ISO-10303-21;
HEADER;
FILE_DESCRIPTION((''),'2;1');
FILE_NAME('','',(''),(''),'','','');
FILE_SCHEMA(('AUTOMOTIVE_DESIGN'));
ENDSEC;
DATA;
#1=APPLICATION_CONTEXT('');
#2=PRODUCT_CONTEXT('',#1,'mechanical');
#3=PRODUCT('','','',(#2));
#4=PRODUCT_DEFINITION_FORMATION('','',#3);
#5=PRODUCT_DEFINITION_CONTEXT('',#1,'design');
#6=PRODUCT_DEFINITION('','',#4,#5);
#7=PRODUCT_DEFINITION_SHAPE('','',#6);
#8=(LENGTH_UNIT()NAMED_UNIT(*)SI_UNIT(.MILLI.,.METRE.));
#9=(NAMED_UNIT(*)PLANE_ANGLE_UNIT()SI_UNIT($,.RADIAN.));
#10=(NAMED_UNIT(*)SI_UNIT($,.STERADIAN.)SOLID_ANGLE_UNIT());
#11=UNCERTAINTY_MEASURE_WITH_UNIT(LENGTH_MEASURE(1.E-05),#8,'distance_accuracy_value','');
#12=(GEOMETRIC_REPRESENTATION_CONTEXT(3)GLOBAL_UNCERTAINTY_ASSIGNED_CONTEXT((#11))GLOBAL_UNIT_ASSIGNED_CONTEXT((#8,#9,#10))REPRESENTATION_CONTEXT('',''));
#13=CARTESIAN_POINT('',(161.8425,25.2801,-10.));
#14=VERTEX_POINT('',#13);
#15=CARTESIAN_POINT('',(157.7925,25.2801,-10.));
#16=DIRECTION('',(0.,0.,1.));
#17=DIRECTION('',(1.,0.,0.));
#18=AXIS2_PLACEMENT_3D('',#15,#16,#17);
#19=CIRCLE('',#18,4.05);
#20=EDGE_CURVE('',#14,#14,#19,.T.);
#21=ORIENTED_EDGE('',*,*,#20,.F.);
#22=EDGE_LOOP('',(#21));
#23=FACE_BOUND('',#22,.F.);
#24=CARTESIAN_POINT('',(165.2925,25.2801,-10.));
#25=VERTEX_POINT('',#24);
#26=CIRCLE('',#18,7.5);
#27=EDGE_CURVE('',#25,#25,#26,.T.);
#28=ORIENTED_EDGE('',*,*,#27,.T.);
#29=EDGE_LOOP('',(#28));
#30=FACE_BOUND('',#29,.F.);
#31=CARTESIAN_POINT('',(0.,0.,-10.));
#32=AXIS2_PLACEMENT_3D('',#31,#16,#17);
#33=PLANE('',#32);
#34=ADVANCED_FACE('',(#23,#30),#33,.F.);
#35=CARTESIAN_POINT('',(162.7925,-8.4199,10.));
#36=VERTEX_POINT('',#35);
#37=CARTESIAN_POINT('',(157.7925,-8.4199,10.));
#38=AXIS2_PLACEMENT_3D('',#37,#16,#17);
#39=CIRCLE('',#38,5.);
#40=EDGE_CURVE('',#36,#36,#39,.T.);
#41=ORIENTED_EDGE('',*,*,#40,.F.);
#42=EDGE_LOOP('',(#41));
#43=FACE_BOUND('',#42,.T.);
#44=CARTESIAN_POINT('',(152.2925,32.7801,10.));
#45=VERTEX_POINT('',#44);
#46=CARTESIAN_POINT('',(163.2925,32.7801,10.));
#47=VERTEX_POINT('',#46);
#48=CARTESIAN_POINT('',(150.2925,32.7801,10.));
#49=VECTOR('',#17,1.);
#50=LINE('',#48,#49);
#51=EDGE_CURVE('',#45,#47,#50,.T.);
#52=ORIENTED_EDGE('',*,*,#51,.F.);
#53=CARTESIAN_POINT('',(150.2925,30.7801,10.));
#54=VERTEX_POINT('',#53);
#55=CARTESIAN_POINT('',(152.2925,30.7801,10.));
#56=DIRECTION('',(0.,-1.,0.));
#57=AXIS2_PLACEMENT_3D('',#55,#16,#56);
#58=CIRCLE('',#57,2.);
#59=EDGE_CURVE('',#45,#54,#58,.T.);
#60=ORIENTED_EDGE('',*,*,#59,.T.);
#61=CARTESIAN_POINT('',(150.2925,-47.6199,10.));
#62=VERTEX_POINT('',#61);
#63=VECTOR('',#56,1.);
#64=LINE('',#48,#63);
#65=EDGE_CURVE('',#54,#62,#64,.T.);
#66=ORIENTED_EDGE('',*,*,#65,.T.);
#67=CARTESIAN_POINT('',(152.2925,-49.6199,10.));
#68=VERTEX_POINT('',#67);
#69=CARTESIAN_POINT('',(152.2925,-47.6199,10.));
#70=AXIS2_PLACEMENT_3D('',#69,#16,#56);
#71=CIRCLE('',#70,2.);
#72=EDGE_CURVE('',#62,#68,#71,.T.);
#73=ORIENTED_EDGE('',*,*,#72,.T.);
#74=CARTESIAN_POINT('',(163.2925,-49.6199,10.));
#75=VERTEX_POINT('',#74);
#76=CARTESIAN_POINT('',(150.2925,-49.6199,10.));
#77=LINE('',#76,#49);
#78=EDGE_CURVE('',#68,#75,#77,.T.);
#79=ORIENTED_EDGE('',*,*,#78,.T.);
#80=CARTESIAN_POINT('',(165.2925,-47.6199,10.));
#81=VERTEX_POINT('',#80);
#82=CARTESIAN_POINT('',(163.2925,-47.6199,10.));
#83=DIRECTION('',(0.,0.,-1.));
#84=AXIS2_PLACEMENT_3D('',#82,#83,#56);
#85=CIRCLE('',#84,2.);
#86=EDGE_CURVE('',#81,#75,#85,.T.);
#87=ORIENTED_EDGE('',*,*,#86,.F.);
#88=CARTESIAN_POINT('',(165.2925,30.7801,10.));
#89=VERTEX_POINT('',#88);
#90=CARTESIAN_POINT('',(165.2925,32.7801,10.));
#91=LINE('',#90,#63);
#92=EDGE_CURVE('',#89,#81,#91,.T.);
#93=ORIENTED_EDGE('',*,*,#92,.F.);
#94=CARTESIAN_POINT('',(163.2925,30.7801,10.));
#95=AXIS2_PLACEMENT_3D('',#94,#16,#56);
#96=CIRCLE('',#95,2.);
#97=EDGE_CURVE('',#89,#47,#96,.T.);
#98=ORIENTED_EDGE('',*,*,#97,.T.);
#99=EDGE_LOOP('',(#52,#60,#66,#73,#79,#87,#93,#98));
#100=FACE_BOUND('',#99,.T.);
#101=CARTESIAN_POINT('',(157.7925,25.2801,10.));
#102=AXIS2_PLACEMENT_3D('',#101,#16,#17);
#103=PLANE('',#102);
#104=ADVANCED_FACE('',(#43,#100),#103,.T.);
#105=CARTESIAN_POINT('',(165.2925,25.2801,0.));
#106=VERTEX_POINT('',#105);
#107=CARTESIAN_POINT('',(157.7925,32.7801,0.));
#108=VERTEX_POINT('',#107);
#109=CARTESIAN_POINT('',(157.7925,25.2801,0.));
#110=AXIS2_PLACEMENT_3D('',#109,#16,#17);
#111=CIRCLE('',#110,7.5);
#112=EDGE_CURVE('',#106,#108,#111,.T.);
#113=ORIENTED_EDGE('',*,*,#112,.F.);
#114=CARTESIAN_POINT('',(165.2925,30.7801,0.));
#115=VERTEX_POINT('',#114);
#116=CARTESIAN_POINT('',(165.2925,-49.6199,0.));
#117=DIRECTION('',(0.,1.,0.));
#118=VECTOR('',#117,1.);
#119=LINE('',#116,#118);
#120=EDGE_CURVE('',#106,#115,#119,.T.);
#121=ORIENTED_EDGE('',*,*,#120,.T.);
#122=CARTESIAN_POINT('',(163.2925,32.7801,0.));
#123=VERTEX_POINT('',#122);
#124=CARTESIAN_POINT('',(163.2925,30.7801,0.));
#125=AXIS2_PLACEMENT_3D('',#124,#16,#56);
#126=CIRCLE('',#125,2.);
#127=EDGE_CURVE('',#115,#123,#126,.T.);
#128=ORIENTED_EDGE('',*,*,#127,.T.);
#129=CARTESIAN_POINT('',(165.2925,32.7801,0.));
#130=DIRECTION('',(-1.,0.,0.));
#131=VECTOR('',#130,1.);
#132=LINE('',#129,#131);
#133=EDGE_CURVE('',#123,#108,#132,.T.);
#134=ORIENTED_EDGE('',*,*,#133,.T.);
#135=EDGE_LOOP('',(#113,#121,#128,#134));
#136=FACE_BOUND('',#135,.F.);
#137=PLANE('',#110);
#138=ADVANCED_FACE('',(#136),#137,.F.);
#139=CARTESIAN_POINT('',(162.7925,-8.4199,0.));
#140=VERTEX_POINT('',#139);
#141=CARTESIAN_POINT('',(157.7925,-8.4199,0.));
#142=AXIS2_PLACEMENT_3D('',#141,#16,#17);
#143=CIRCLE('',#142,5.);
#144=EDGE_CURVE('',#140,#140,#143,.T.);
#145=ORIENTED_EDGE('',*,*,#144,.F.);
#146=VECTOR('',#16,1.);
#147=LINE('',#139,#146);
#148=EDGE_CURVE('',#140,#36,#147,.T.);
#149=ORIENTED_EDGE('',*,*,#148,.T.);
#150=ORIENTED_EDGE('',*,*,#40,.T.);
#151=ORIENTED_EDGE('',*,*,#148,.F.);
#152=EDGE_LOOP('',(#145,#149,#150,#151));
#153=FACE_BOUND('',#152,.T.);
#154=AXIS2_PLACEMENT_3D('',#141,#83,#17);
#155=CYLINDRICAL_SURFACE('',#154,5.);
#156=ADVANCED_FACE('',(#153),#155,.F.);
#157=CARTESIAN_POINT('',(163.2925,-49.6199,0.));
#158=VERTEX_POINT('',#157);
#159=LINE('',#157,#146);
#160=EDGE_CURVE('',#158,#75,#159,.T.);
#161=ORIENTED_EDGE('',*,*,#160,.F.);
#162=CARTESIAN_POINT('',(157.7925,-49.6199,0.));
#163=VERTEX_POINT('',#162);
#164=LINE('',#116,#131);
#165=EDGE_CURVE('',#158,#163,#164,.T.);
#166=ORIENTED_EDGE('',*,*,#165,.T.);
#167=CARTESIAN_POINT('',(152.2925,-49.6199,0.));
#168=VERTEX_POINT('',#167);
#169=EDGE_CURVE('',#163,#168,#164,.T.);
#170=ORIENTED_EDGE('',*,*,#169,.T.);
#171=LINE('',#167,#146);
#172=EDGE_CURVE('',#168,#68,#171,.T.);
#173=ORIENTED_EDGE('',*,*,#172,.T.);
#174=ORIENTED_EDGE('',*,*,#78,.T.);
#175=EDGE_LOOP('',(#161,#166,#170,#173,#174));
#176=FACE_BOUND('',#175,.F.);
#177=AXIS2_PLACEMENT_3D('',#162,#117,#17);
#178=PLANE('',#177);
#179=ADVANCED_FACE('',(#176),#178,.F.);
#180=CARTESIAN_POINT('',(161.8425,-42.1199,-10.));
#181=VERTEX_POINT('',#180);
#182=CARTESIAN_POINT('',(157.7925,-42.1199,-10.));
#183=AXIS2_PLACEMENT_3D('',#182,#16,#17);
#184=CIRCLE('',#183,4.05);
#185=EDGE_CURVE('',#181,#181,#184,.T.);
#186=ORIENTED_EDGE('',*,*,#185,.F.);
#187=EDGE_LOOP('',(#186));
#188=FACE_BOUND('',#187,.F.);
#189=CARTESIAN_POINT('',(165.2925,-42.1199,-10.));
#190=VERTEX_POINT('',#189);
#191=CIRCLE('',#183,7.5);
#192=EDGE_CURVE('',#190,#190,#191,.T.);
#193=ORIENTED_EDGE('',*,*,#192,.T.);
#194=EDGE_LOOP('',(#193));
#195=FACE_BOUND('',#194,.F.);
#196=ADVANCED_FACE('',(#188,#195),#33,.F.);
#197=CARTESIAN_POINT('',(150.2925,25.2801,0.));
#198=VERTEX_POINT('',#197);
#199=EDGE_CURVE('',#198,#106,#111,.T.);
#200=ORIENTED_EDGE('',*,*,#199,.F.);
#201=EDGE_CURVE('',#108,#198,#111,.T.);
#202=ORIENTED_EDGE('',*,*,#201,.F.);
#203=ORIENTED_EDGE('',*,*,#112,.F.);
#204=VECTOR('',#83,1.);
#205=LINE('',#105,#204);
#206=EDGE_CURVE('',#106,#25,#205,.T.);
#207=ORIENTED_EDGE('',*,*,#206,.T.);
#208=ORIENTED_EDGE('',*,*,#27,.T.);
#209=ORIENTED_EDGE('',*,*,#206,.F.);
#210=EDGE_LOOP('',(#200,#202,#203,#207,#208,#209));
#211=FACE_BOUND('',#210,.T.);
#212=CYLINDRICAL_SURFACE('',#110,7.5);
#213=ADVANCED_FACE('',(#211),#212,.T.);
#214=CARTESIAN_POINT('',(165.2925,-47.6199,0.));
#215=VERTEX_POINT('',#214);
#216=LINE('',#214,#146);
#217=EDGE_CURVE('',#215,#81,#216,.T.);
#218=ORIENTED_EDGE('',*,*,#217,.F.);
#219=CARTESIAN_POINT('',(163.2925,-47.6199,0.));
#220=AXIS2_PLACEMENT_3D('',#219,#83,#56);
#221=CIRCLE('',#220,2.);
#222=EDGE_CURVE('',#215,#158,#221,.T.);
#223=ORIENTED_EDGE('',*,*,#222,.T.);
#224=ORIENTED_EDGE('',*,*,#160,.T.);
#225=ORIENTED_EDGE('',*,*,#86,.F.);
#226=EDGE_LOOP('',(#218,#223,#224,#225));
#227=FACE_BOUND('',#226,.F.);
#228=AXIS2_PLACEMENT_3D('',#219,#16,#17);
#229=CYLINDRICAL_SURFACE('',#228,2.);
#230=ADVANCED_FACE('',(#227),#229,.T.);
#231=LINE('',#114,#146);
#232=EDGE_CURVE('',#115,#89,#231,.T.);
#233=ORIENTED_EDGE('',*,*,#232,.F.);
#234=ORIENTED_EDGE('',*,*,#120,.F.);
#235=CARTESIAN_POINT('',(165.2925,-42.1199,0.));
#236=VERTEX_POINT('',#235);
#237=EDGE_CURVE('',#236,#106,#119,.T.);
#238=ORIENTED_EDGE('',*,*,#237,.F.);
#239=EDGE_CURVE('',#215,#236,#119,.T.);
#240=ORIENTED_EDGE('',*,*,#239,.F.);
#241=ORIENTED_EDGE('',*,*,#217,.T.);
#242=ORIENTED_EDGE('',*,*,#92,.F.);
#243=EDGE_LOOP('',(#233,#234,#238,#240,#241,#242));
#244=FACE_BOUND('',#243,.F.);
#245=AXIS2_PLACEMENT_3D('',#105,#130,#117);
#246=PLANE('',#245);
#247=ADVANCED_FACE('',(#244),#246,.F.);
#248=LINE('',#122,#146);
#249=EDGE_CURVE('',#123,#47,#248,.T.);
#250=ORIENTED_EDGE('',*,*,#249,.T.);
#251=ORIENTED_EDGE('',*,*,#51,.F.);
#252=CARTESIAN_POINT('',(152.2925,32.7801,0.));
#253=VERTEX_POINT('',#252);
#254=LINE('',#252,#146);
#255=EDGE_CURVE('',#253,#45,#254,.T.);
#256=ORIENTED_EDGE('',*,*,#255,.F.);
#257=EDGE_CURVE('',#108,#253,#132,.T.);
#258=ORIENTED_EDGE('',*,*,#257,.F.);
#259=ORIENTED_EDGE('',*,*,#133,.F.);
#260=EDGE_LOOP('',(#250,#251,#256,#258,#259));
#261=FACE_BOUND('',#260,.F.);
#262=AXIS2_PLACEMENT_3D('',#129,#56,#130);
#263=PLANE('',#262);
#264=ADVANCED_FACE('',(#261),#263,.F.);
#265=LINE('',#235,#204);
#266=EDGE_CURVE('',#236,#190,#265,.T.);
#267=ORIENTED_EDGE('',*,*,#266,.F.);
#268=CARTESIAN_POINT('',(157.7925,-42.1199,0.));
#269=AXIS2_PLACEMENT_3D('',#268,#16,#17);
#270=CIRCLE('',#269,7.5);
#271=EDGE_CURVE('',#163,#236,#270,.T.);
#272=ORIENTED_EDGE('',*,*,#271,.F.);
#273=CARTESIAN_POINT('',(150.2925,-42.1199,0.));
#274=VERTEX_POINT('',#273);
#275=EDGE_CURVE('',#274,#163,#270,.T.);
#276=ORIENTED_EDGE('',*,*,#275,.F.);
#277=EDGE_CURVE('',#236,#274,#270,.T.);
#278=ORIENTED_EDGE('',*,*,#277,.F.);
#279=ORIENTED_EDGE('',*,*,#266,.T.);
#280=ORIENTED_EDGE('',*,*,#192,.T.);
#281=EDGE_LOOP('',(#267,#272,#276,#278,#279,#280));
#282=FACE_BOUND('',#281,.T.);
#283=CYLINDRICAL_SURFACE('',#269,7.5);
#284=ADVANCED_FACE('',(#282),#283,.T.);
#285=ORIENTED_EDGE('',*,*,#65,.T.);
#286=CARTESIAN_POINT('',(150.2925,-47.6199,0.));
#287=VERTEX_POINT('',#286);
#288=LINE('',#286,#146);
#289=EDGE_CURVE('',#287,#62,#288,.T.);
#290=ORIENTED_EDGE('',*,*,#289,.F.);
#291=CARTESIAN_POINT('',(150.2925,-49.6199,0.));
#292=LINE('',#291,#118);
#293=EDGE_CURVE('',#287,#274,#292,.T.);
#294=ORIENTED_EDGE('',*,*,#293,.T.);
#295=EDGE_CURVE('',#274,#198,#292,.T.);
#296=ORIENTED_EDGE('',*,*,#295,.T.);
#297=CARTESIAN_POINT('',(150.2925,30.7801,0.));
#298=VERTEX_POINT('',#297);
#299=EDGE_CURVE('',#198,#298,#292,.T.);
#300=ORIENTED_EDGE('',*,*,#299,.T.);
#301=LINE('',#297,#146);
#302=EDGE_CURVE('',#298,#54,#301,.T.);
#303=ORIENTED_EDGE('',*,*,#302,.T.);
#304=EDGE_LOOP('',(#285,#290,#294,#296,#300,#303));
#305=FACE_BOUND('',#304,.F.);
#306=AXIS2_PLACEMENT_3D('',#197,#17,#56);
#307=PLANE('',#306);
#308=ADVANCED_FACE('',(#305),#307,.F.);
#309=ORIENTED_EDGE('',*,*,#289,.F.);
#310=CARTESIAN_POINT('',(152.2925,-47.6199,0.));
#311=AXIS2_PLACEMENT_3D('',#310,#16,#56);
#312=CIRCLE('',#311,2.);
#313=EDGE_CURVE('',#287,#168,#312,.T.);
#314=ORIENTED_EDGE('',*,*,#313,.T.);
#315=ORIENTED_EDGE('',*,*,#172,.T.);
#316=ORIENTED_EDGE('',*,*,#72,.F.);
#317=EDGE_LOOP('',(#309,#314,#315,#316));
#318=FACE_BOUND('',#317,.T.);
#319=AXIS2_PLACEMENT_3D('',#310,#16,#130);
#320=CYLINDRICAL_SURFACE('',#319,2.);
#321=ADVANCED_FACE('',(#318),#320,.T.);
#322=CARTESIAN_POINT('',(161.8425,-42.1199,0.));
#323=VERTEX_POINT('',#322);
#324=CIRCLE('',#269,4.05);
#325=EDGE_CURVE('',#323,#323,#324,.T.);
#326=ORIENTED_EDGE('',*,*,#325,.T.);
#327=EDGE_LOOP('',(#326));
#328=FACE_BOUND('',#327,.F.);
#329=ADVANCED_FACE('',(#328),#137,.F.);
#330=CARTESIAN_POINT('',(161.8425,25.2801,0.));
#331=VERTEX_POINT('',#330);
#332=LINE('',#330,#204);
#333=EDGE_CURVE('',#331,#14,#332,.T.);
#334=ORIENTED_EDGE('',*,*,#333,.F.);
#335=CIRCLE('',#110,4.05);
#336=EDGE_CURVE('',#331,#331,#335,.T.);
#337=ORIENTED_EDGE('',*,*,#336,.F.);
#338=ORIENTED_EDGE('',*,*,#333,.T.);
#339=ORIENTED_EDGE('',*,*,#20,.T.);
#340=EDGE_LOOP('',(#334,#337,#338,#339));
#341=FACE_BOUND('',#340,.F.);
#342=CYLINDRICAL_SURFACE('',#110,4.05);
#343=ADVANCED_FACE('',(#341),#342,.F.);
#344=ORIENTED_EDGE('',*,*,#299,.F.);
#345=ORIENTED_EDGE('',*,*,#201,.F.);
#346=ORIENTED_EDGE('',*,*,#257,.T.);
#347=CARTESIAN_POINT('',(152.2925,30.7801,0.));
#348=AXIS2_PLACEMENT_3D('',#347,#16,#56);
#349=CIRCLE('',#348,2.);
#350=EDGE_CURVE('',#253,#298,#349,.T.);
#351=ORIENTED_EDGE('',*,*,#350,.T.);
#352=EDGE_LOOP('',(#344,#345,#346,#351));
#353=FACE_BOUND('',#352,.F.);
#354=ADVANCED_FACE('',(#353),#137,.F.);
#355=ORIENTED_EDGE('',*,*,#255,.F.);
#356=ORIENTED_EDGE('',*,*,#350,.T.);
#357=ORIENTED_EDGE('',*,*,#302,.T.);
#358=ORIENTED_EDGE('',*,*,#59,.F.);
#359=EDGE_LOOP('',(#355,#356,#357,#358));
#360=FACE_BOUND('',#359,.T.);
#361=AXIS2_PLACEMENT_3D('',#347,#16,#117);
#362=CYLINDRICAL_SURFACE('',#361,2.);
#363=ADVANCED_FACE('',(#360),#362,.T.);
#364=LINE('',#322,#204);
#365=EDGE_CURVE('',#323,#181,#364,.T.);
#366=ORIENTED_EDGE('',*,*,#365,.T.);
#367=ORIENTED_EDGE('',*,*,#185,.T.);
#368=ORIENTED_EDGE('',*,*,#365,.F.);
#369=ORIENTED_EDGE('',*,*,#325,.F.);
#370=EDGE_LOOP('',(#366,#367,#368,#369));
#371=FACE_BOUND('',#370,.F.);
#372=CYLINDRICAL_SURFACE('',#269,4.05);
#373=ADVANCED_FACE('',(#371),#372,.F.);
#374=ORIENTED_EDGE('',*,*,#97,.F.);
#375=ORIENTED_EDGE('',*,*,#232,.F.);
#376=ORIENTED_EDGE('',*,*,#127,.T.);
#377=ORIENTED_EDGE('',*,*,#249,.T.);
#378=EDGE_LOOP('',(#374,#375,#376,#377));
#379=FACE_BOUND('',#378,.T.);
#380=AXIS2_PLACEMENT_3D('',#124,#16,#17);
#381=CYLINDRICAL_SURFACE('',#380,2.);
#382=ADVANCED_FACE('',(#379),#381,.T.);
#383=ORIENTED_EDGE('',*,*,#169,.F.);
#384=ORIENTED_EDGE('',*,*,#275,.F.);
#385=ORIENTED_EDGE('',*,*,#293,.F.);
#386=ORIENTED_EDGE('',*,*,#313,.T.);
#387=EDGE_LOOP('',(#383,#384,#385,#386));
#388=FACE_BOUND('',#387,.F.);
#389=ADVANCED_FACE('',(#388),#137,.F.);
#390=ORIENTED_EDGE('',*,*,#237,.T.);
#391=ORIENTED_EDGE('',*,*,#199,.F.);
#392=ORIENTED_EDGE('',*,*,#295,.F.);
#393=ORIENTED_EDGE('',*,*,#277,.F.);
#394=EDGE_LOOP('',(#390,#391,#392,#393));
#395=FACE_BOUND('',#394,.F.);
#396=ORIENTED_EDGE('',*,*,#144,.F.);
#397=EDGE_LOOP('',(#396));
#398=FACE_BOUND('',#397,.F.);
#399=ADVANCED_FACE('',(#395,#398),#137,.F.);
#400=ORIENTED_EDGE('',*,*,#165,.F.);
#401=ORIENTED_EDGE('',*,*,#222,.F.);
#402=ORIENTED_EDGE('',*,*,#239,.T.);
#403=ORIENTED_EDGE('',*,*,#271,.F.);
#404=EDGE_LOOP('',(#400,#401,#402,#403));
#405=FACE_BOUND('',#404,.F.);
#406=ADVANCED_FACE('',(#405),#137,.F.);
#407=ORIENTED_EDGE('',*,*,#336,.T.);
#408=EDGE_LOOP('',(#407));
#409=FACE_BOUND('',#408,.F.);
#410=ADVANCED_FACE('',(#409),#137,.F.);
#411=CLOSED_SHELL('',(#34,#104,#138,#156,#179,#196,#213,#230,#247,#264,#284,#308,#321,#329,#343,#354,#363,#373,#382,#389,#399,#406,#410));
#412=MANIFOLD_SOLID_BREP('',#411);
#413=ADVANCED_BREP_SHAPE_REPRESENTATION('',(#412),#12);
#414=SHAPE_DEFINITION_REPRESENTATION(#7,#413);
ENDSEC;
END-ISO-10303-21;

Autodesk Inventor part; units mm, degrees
ref_plane "YZ Plane" through (0, 0, 0) normal (1, 0, 0) x (0, 1, 0)
ref_plane "XZ Plane" through (0, 0, 0) normal (0, 1, 0) x (-1, 0, 0)
ref_plane "XY Plane" through (0, 0, 0) normal (0, 0, 1) x (1, 0, 0)
sketch "Sketch1" plane through (0, 0, 0) normal (0, 0, 1) x (1, 0, 0)
  circle A0 centre (157.7925, 25.2801) radius 7.5 projected
  circle A1 centre (157.7925, 25.2801) radius 4.05 projected
  circle A2 centre (157.7925, -42.1199) radius 7.5 projected
  circle A3 centre (157.7925, -42.1199) radius 4.05 projected
  line L0 (7.5, 7.5) -> (-7.5, 7.5)
  line L1 (-7.5, 7.5) -> (-7.5, -74.9)
  line L2 (-7.5, -74.9) -> (7.5, -74.9)
  line L3 (7.5, -74.9) -> (7.5, 7.5)
  line L4 (7.5, 7.5) -> (-7.5, 7.5)
  line L5 (-7.5, 7.5) -> (-7.5, -74.9)
  line L6 (-7.5, -74.9) -> (7.5, -74.9)
  line L7 (7.5, -74.9) -> (7.5, 7.5)
  circle A4 centre (157.7925, 25.2801) radius 4.05 projected
  circle A5 centre (157.7925, 25.2801) radius 7.5 projected
  circle A6 centre (157.7925, 25.2801) radius 4.05 projected
  circle A7 centre (157.7925, -42.1199) radius 4.05 projected
  circle A8 centre (157.7925, -42.1199) radius 7.5 projected
  circle A9 centre (157.7925, -42.1199) radius 4.05 projected
  line L8 (7.5, 7.5) -> (-7.5, 7.5)
  line L9 (-7.5, 7.5) -> (-7.5, -74.9)
  line L10 (-7.5, -74.9) -> (7.5, -74.9)
  line L11 (7.5, -74.9) -> (7.5, 7.5)
  point P0 (0, 0)
extrude "Extrusion1" add sketch "Sketch1" against normal blind 10 contours A0 | A2
sketch "Sketch2" plane through (157.7925, 25.2801, 0) normal (0, 0, 1) x (1, 0, 0)
  line L0 (7.5, 7.5) -> (-7.5, 7.5)
  line L1 (-7.5, 7.5) -> (-7.5, -74.9)
  line L2 (-7.5, -74.9) -> (7.5, -74.9)
  line L3 (7.5, -74.9) -> (7.5, 7.5)
  circle A0 centre (0, 0) radius 7.5 projected
  circle A1 centre (0, 0) radius 4.05 projected
  circle A2 centre (0, -67.4) radius 7.5 projected
  circle A3 centre (0, -67.4) radius 4.05 projected
  circle A4 centre (0, -33.7) radius 7.5
  circle A5 centre (0, -33.7) radius 5
  point P0 (-157.7925, -25.2801)
  point P1 (7.5, 0)
  point P2 (-7.5, 0)
  point P3 (-7.5, -67.4)
  point P4 (7.5, -67.4)
  dimension "d2" = 10
extrude "Extrusion2" add sketch "Sketch2" along normal blind 10 contours L3 A0 L0 | A0 L1 L0 | A0 | L3 A4 L1 A0 | A4 | L3 A2 L1 A4 | A2 | L3 L2 A2 | A2 L2 L1 | A1 | A3
fillet "Fillet1" radius 2 4 edges at (150.2925, -49.6199, 5) (165.2925, -49.6199, 5) (165.2925, 32.7801, 5) (150.2925, 32.7801, 5)
properties part number "constraining plate"
